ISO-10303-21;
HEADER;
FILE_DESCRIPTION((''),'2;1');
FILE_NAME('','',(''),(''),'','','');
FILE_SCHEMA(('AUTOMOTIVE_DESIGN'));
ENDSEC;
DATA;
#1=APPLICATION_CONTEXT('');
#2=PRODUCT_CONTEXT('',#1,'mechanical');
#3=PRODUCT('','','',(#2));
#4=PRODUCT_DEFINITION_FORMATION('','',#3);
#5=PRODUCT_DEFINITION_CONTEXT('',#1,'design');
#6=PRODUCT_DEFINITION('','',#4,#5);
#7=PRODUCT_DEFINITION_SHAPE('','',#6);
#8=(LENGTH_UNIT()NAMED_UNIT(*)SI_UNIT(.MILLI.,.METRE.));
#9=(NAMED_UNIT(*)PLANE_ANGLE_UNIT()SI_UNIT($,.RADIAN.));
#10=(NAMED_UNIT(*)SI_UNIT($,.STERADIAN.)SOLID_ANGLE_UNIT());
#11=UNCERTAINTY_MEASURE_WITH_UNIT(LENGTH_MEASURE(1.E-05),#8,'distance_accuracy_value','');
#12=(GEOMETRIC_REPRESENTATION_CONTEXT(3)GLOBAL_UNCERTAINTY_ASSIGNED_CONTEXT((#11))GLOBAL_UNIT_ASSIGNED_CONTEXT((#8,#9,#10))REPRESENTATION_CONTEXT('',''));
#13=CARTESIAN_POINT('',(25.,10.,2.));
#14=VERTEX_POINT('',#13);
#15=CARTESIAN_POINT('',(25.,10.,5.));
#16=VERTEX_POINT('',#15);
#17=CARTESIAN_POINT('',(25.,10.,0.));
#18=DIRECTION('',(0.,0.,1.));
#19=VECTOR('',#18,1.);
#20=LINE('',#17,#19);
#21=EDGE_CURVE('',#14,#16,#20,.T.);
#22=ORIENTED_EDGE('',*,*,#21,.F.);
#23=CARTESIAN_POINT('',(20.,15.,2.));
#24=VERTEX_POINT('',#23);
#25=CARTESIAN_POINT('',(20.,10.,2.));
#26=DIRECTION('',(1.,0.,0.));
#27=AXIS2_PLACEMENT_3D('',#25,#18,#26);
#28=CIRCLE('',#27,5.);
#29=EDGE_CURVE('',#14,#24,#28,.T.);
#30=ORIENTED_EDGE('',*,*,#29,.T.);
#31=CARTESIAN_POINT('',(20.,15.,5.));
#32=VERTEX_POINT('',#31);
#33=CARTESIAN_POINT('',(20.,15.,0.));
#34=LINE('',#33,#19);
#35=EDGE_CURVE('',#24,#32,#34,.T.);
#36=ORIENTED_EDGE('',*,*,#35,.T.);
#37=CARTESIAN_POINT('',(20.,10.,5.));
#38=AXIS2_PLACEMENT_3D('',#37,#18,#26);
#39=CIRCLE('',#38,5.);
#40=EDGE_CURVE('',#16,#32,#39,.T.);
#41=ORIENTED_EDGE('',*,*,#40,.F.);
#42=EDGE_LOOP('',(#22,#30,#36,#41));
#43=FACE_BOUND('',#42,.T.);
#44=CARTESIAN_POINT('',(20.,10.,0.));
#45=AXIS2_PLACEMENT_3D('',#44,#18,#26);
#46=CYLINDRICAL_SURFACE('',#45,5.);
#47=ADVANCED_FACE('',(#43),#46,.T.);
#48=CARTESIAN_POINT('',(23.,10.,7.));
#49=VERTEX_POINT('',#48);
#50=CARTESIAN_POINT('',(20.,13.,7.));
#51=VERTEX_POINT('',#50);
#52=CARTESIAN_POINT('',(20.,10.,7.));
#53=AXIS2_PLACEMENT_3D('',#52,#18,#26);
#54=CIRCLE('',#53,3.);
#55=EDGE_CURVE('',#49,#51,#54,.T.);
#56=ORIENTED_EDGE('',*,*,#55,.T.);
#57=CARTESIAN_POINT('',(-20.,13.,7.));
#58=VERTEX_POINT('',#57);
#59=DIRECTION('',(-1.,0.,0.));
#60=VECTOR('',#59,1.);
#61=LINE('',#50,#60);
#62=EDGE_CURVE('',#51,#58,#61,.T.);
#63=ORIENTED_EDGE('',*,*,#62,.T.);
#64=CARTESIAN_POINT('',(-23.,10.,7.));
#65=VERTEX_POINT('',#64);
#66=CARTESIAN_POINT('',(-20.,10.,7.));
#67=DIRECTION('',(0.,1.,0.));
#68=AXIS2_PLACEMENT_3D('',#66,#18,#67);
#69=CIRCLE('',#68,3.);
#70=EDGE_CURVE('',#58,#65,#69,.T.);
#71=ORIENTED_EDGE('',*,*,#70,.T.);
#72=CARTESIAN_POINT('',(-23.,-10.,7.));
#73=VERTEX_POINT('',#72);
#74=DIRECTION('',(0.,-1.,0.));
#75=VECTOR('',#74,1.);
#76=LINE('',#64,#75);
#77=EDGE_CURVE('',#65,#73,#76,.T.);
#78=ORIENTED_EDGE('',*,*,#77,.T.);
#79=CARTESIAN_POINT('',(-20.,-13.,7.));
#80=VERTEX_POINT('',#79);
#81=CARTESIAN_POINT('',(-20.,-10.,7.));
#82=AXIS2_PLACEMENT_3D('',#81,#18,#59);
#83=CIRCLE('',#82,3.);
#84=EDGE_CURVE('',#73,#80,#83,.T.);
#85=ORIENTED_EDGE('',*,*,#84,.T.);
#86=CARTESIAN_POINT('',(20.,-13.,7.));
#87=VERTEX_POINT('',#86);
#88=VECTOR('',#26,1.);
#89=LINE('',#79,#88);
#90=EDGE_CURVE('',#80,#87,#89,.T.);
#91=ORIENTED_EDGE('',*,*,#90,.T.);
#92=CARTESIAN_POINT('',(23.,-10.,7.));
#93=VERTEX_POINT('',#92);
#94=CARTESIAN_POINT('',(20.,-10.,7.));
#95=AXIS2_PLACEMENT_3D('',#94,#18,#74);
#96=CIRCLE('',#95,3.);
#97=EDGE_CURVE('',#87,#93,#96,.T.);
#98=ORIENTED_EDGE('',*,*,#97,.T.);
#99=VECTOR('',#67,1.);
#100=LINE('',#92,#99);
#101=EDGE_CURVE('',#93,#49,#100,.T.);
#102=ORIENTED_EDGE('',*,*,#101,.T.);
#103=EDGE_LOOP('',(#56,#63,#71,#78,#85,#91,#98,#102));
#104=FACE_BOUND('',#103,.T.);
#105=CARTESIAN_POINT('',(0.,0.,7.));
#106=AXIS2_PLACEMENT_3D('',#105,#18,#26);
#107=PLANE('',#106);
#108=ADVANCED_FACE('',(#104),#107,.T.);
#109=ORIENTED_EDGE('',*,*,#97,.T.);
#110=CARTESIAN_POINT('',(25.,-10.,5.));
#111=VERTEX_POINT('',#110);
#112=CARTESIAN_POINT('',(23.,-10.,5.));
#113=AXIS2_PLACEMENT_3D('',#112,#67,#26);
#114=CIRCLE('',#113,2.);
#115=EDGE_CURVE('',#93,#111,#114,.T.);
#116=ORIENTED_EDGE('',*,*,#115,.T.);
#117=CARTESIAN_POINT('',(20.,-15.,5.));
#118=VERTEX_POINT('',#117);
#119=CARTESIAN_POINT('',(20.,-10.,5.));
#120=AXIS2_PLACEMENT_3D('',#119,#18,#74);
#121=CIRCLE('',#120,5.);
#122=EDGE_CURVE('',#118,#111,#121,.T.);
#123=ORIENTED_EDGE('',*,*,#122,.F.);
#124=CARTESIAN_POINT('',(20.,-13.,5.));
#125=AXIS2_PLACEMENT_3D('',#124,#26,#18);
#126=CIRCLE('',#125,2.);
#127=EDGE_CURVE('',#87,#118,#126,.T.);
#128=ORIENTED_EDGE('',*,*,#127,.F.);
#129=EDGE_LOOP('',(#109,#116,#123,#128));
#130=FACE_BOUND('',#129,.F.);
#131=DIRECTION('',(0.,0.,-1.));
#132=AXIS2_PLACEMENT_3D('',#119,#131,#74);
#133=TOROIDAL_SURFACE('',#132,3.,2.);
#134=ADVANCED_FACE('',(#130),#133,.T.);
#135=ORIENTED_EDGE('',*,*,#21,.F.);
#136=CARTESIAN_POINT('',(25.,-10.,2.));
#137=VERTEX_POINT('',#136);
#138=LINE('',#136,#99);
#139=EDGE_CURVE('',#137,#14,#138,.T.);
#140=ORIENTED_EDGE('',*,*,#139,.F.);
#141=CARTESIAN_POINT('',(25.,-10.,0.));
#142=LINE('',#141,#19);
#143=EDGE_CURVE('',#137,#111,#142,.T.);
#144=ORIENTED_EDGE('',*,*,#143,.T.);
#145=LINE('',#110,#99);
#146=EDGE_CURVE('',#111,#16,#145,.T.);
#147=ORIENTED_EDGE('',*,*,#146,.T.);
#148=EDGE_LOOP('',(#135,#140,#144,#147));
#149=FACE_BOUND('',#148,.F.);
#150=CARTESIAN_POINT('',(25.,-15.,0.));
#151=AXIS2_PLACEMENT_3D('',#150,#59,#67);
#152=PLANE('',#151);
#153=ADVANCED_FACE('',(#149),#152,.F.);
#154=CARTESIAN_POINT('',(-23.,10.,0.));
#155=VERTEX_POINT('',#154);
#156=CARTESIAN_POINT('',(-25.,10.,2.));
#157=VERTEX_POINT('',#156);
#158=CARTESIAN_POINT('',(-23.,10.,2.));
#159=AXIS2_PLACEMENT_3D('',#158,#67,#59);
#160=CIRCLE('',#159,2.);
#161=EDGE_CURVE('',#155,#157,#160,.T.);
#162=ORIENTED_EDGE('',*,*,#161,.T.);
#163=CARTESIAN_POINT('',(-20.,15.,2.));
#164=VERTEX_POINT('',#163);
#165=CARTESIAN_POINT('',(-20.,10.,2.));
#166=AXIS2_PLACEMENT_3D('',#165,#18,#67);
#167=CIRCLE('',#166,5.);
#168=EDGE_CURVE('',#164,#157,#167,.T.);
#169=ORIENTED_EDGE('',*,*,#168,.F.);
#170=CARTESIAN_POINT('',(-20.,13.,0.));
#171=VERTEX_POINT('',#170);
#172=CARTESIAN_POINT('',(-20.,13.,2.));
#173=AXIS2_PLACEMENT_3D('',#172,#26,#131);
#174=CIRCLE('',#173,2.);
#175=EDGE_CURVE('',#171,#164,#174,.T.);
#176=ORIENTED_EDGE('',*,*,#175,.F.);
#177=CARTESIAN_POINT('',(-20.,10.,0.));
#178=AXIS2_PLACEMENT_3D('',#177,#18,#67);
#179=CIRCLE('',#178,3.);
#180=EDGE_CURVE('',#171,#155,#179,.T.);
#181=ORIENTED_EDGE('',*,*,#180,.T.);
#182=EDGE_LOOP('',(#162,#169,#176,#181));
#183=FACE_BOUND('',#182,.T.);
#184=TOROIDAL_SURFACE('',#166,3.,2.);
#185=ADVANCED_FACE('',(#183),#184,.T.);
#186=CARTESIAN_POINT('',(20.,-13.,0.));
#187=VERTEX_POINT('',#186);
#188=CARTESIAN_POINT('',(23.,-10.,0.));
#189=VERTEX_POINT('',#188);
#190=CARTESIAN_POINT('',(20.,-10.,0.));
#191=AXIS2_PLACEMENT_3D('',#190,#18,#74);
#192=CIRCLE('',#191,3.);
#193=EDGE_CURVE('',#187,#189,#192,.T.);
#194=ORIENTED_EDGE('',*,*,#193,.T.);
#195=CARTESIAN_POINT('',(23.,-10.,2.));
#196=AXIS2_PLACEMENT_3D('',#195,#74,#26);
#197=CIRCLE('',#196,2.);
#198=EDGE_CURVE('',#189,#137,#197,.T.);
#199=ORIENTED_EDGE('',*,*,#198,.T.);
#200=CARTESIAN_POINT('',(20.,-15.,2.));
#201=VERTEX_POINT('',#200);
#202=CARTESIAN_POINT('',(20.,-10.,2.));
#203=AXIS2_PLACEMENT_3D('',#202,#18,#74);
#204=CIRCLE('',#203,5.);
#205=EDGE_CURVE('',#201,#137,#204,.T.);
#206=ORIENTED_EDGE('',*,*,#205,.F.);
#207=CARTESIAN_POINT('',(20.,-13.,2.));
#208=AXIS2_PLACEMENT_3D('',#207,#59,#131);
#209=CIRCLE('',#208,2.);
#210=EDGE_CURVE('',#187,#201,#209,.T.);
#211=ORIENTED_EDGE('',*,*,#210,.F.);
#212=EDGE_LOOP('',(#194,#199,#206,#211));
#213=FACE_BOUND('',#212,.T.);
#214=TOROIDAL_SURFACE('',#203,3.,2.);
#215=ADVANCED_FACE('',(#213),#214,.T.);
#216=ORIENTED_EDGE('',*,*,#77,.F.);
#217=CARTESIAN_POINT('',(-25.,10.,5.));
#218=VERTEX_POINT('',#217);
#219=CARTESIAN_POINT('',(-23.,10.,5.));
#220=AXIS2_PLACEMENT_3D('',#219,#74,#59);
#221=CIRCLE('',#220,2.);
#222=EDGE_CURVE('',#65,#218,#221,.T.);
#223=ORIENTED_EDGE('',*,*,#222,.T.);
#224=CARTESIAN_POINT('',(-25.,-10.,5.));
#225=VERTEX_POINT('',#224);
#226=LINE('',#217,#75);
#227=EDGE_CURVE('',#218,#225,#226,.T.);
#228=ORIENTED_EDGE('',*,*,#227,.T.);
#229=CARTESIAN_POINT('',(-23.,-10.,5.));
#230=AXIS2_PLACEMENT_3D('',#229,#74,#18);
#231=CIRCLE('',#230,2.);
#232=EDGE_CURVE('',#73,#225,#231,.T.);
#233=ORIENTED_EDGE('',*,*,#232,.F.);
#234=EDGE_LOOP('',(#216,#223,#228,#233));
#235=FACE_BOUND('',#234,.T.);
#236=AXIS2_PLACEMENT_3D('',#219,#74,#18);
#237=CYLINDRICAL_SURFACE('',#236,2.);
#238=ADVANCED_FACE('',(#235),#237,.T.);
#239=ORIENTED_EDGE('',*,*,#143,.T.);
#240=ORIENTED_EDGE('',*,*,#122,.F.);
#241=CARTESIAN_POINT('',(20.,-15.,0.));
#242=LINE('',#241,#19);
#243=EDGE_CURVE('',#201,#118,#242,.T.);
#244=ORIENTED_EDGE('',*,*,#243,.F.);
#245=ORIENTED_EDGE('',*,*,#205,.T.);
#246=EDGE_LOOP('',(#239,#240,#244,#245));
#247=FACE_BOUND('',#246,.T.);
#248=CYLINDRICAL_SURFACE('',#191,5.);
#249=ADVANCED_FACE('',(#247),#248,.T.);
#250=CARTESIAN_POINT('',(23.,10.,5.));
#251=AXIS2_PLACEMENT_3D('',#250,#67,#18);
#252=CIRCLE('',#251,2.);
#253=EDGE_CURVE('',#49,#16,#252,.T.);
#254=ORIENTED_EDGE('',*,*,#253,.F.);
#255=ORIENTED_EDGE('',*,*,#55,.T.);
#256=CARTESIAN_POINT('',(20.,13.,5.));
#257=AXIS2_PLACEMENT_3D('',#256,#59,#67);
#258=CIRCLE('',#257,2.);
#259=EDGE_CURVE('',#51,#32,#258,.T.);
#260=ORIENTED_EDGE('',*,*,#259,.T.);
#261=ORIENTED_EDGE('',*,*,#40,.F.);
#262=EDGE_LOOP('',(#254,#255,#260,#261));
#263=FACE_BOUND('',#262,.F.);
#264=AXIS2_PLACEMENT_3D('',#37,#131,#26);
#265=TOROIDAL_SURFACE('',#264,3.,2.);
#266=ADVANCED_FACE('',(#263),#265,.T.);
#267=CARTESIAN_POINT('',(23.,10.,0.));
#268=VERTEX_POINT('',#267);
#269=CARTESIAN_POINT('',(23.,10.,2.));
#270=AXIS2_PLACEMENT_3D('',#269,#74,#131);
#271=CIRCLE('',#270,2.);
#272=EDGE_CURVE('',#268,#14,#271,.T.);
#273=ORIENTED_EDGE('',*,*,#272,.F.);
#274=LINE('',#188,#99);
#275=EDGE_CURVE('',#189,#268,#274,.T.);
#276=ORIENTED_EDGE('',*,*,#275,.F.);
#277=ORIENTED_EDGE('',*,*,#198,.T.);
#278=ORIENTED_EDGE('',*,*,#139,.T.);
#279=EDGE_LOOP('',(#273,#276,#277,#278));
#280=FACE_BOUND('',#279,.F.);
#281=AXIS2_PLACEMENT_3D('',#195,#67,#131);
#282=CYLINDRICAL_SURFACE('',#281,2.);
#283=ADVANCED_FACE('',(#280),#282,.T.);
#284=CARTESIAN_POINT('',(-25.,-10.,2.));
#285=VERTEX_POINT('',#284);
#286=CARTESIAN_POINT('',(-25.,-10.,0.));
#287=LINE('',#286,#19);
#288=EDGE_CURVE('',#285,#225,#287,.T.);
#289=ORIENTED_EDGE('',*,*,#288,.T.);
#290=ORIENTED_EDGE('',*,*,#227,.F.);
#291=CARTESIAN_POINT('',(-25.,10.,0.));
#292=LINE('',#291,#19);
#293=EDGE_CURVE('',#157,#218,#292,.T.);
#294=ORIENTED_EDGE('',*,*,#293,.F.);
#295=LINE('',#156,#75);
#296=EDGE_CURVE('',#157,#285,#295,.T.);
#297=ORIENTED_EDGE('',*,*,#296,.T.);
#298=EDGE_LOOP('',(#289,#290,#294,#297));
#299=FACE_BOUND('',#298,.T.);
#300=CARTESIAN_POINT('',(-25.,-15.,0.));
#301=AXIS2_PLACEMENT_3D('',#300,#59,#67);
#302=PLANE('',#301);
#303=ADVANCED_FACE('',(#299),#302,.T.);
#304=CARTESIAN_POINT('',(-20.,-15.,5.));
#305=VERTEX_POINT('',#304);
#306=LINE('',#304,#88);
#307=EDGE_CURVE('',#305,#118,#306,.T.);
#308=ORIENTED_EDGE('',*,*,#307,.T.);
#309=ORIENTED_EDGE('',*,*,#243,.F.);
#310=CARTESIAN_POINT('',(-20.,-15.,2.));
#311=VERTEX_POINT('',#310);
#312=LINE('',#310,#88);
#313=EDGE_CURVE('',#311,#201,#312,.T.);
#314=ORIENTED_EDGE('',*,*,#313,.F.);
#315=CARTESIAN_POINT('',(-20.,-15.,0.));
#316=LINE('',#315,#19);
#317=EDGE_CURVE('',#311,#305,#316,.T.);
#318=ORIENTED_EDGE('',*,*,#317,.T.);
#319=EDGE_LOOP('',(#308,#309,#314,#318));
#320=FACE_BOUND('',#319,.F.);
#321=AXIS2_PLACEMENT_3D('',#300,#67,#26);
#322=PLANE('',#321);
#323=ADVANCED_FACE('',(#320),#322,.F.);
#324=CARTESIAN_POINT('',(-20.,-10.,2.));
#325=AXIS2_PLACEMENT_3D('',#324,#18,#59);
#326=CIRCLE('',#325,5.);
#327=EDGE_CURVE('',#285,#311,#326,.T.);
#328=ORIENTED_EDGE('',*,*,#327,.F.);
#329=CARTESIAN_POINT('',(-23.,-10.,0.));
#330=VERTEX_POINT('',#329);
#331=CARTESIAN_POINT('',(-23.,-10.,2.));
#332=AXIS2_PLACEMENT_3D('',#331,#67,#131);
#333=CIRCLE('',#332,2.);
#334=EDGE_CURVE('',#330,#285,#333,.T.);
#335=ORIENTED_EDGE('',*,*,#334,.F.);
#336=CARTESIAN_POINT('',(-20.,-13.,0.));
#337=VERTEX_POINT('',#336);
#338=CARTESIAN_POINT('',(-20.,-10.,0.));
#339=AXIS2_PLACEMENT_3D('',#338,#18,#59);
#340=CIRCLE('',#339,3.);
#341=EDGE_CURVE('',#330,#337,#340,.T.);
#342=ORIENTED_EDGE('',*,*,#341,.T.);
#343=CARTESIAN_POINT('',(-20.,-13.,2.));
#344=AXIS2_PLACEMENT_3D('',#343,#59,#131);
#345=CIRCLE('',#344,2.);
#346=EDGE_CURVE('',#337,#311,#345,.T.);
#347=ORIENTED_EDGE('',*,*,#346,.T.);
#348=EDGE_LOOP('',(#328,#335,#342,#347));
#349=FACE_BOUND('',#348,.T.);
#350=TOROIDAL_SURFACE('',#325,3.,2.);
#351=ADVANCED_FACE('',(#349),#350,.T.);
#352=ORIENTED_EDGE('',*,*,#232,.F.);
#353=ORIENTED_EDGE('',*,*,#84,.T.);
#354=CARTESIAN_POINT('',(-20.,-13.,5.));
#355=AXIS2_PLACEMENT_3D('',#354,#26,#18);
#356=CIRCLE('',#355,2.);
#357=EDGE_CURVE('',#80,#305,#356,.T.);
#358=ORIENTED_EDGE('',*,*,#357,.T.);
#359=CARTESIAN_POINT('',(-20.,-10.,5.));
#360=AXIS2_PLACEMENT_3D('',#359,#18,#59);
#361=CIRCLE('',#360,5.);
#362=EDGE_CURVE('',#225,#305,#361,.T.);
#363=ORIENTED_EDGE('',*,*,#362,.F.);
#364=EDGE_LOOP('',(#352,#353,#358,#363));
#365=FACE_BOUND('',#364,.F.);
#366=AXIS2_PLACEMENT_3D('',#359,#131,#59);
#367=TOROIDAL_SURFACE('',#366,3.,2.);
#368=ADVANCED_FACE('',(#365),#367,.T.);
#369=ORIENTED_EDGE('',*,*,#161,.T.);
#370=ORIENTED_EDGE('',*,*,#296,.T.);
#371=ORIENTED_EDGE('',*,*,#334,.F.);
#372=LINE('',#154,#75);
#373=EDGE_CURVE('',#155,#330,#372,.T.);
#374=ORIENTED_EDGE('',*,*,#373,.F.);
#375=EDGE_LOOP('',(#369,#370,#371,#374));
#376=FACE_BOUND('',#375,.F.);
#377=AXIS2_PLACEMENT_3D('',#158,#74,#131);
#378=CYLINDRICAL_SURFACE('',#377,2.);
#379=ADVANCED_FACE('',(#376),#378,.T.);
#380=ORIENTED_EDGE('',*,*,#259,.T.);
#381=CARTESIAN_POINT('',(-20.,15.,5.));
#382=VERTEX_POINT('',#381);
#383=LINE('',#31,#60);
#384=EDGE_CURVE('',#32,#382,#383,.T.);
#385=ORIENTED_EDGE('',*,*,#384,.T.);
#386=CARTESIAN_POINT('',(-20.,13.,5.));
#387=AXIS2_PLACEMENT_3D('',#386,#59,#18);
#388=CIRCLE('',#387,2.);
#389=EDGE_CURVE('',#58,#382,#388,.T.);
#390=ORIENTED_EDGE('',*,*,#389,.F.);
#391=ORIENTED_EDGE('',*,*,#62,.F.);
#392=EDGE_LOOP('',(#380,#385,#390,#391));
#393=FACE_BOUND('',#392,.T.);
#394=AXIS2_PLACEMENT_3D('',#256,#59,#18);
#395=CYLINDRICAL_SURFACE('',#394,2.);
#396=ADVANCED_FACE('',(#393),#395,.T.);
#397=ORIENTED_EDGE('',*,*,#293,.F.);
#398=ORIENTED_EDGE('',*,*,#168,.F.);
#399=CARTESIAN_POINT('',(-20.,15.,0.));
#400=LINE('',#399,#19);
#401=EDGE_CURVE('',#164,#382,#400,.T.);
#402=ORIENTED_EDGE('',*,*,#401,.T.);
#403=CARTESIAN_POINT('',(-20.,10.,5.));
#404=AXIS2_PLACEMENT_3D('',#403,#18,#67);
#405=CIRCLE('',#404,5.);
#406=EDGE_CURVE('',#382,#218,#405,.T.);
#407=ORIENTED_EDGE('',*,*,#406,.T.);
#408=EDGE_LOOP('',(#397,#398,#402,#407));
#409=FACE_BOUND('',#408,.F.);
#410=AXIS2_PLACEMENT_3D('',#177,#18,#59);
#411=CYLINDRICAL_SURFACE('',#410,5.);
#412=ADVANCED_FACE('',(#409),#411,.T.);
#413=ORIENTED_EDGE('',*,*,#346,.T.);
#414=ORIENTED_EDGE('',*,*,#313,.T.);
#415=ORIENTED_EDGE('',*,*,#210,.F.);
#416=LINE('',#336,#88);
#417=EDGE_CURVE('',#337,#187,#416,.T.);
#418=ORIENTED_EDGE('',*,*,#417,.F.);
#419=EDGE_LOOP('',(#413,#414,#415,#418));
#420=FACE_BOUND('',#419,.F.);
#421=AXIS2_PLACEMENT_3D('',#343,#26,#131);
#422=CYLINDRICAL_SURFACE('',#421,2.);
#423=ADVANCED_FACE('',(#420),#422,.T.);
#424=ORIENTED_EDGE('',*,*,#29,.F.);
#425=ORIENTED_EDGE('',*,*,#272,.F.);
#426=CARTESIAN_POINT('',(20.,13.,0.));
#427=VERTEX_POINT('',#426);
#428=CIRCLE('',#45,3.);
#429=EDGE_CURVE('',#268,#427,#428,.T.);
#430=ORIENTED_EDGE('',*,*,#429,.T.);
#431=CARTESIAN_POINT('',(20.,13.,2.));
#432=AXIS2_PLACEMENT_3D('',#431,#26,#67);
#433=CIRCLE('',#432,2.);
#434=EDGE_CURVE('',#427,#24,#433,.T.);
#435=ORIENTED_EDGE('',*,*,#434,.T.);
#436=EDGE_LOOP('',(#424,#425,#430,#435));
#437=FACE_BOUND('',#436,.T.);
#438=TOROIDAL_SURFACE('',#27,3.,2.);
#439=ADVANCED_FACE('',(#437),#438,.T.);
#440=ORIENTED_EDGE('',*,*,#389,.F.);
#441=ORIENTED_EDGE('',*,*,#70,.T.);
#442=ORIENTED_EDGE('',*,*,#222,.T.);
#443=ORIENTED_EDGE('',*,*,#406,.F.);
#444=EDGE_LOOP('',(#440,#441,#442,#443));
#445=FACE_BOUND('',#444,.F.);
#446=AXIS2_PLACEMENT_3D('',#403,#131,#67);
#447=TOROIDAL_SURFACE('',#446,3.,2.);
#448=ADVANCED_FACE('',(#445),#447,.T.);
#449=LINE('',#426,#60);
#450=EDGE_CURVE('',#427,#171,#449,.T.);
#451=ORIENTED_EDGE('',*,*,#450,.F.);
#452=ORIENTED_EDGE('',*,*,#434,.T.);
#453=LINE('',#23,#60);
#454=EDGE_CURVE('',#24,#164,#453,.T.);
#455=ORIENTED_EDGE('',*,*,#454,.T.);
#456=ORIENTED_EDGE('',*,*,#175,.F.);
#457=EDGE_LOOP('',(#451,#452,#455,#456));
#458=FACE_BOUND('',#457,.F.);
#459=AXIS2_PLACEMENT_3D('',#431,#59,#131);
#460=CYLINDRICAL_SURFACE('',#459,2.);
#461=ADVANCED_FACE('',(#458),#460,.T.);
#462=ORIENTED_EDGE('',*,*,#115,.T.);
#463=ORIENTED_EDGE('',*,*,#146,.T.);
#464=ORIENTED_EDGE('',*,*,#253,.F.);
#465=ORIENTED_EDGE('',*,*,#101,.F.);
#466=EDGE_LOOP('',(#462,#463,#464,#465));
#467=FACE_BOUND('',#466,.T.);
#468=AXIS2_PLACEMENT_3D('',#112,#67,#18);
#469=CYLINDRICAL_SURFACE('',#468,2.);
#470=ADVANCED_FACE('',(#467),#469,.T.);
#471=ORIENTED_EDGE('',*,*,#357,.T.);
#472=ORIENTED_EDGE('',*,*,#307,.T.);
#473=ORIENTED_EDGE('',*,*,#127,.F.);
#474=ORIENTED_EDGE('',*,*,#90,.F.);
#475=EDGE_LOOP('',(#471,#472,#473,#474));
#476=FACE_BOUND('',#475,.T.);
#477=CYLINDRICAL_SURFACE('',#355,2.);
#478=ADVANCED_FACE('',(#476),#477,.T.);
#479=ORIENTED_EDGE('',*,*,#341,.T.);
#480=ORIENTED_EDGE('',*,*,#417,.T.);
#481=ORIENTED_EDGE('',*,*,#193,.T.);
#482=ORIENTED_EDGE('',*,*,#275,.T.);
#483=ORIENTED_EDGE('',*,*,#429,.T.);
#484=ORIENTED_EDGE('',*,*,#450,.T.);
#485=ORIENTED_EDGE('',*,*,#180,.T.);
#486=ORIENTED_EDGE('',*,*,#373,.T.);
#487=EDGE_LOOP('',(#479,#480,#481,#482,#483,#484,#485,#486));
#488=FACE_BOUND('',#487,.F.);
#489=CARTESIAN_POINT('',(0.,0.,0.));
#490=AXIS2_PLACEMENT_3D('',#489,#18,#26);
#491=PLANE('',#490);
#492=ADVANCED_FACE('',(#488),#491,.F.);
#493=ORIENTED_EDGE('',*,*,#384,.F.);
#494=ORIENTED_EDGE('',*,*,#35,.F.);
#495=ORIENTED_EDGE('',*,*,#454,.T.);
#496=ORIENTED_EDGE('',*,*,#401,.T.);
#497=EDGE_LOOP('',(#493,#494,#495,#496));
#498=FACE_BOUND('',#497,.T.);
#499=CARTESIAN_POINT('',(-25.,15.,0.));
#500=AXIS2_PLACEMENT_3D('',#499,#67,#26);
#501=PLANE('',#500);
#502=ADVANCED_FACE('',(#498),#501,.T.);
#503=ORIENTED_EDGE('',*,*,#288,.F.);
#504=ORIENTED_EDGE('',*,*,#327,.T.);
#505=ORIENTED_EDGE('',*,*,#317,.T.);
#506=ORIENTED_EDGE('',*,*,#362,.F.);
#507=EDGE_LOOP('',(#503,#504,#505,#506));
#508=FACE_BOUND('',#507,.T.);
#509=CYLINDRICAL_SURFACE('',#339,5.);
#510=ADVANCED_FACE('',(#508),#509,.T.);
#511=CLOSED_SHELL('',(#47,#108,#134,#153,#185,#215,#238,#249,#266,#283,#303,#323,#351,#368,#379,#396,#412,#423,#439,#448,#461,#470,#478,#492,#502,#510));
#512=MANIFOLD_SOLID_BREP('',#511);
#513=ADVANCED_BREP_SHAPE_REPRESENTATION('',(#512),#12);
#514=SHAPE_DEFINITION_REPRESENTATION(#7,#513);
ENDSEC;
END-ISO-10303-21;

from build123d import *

# Parameters (mm, degrees)
F0_W     = 50
F0_H     = 30
F1_DEPTH = 7
F2_R     = 5
F3_R     = 2


with BuildPart() as f1:
    # F0 (on Top) → F1 (new body)
    with BuildSketch(Plane.XY):
        Rectangle(F0_W, F0_H)
    extrude(amount=F1_DEPTH)

    # F2
    f2_edges = [f1.edges().sort_by_distance(p)[0] for p in [
        (25, -15, 3.5),
        (-25, -15, 3.5),
        (25, 15, 3.5),
        (-25, 15, 3.5),
    ]]
    fillet(f2_edges, radius=F2_R)

    # F3
    f3_edges = [f1.edges().sort_by_distance(p)[0] for p in [
        (0, -15, 7),
        (0, -15, 0),
    ]]
    fillet(f3_edges, radius=F3_R)


solid = f1.part
